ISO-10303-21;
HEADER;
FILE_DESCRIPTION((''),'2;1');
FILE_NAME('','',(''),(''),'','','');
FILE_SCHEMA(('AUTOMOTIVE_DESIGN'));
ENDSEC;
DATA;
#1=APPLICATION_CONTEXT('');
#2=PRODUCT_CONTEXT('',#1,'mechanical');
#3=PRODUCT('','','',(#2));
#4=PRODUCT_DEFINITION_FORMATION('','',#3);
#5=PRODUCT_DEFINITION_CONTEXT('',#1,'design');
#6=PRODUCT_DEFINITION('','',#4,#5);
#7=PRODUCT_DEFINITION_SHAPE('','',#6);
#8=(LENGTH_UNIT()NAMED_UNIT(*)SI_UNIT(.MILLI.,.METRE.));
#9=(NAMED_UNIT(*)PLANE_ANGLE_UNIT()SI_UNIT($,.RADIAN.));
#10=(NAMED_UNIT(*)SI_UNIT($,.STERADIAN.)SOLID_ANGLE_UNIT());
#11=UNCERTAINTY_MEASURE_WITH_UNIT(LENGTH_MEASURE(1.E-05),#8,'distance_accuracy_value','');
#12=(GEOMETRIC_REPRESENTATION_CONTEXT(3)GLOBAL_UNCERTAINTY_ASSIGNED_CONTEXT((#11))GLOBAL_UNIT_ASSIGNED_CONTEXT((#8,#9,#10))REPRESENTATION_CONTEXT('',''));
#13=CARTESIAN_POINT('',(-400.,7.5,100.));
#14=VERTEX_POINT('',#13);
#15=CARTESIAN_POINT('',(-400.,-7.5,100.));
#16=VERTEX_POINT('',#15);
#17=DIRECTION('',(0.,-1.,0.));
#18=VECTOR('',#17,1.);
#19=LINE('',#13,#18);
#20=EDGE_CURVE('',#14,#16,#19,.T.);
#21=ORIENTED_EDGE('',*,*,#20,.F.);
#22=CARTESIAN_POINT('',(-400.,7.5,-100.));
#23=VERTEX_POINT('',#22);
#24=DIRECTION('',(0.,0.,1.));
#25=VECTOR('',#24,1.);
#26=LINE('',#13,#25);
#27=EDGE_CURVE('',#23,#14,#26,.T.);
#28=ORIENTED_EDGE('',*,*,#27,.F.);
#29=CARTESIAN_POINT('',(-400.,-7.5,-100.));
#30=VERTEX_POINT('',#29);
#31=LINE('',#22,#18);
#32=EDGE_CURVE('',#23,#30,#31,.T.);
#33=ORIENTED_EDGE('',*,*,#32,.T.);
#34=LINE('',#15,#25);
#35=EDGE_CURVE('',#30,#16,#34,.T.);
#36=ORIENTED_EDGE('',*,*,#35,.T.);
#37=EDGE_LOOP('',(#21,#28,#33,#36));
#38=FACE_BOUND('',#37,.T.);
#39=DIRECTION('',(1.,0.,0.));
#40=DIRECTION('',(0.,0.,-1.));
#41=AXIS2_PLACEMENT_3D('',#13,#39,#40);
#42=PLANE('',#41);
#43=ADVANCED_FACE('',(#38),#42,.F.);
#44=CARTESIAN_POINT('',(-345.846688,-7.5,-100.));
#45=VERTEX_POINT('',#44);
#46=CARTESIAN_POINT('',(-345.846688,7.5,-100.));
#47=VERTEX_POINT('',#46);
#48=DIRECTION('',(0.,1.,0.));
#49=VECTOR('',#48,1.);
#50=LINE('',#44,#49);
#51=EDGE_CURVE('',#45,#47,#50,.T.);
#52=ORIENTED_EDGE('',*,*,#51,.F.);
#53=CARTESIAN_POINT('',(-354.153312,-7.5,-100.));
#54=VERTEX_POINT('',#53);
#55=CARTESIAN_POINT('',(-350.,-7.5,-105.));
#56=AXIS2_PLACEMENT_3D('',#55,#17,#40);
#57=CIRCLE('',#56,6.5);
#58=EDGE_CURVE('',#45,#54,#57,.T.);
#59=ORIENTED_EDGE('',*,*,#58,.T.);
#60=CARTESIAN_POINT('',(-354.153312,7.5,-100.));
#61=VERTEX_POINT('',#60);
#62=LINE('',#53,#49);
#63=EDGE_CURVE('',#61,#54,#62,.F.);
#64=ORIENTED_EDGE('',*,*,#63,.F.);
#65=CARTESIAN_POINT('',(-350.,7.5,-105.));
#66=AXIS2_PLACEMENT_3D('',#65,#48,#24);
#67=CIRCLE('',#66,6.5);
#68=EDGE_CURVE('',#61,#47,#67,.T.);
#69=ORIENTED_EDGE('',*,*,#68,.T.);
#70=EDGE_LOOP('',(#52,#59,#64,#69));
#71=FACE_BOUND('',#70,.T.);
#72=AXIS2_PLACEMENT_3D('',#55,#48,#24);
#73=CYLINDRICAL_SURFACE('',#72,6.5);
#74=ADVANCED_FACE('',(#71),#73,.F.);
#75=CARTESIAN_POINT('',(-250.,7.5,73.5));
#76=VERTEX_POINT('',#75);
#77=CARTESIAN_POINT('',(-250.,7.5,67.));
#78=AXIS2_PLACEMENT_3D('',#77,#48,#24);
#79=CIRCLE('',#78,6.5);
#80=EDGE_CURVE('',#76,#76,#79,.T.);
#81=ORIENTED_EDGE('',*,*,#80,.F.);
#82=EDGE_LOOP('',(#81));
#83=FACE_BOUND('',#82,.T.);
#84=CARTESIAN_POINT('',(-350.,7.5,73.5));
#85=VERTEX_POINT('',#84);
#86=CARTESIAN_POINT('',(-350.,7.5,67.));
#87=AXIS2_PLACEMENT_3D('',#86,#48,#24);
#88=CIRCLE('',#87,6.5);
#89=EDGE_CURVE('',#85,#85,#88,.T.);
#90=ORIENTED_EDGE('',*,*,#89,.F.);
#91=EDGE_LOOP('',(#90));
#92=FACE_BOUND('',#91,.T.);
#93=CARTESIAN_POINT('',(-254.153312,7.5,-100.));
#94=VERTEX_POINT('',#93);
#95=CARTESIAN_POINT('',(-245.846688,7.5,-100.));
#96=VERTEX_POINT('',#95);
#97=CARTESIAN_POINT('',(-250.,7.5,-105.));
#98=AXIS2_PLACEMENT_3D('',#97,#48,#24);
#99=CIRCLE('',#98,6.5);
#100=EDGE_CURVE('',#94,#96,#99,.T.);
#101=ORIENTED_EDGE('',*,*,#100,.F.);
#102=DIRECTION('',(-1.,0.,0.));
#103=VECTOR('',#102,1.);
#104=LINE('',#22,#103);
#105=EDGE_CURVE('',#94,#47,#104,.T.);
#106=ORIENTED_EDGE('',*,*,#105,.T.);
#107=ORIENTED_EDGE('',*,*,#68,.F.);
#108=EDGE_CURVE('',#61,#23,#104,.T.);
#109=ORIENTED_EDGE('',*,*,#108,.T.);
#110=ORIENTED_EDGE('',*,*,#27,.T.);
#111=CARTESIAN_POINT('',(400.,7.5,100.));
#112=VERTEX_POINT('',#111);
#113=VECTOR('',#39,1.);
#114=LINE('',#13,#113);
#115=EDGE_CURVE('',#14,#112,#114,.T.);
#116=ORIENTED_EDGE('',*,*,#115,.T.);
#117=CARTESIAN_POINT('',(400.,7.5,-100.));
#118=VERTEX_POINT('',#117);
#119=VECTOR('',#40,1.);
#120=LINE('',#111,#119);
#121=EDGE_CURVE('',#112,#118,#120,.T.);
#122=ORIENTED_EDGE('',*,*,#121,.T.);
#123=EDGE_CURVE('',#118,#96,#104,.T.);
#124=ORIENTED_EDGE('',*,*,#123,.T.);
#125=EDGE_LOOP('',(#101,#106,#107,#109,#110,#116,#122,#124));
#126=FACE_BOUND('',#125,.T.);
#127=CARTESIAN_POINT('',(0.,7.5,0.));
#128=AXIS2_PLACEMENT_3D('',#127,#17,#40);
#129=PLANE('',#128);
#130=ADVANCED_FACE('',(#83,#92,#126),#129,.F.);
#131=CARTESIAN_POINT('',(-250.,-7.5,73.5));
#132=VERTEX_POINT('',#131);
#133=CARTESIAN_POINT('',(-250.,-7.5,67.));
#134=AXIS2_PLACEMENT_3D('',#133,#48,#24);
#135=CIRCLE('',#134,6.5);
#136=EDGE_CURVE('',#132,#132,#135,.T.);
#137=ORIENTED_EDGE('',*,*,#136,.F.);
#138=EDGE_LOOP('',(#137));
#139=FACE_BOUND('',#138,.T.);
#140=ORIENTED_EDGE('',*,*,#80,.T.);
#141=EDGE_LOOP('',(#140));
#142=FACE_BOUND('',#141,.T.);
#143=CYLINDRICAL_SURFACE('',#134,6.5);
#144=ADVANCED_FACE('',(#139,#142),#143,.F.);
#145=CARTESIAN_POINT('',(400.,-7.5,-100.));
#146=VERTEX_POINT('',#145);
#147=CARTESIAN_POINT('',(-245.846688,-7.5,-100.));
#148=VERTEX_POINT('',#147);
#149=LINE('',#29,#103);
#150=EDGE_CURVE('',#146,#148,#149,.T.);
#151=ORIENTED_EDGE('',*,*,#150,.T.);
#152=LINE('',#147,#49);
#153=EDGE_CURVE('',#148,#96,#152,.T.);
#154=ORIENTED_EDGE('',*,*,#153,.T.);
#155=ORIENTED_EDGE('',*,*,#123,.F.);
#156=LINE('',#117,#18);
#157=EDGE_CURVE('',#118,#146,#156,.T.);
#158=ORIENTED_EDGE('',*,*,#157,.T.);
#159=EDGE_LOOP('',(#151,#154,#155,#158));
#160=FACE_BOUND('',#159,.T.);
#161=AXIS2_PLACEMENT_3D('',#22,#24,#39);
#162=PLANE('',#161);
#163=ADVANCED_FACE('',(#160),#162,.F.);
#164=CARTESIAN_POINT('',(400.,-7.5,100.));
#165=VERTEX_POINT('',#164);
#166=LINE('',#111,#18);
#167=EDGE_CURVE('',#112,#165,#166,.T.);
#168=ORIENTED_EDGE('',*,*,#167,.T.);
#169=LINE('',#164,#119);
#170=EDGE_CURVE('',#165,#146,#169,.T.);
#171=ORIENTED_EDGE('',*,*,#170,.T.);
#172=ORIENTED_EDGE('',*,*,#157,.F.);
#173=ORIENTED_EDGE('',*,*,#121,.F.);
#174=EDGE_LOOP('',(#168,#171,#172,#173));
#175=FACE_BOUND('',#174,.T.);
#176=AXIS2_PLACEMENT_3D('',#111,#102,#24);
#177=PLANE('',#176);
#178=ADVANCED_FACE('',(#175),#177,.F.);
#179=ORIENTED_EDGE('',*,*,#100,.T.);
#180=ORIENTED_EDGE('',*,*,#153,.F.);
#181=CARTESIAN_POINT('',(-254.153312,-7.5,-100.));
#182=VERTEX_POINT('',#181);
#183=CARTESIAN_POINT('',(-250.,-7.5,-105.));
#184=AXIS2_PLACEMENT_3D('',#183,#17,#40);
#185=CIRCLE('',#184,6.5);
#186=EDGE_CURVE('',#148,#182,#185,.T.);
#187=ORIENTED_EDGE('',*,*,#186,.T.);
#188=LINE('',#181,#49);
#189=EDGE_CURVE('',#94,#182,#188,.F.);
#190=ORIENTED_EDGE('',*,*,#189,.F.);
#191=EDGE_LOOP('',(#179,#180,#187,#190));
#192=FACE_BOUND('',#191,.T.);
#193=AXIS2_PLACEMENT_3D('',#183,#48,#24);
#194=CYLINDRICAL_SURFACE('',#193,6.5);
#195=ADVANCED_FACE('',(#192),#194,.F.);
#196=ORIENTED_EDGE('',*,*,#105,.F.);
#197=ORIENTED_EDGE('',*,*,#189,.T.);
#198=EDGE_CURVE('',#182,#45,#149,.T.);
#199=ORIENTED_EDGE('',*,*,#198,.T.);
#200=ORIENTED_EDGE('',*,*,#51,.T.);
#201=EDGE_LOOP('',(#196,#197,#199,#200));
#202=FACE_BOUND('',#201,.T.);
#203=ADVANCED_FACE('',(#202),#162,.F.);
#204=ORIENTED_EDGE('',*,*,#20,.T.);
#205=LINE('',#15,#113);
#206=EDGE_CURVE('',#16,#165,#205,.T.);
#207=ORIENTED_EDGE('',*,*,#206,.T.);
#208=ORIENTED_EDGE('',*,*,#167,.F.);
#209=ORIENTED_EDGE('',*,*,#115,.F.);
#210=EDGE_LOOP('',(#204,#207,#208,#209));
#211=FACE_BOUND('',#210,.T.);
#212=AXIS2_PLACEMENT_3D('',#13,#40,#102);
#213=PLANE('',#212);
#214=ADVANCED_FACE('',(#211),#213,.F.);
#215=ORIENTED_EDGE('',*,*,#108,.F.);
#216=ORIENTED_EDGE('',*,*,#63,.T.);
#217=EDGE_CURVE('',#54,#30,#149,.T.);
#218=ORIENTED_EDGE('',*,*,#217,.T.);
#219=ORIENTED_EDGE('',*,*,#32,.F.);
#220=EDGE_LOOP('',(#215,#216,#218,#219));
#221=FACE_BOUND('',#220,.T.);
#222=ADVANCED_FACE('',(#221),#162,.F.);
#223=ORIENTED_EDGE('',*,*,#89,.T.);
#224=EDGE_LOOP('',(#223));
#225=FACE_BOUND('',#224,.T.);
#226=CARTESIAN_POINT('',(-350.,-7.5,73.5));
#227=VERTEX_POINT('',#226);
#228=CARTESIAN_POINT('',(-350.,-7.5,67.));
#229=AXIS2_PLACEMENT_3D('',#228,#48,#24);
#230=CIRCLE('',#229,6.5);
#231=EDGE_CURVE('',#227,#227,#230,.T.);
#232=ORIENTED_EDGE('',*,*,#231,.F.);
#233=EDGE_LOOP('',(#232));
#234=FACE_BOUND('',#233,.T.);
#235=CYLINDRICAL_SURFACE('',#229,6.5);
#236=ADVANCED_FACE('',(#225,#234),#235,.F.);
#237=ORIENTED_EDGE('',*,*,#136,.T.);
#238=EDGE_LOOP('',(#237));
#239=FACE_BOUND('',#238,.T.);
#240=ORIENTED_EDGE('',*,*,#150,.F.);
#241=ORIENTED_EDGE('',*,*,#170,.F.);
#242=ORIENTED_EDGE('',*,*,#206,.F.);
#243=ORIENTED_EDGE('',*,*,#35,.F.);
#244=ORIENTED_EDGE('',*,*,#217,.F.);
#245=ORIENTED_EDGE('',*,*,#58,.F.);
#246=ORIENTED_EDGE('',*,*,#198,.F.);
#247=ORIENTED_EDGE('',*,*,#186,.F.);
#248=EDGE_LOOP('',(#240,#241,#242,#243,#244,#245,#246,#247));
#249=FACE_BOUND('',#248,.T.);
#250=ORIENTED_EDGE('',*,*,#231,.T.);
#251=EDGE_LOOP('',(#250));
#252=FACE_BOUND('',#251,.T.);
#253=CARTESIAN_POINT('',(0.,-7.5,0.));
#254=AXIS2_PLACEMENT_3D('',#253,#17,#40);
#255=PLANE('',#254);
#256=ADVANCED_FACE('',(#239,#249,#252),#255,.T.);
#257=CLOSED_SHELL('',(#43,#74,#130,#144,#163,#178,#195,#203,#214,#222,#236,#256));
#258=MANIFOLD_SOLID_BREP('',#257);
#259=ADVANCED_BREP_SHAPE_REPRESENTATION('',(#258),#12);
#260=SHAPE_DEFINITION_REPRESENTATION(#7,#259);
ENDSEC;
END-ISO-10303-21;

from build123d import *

# Parameters (mm, degrees)
SKETCH1_W           = 800
SKETCH1_H           = 200
BOSS_EXTRUDE1_DEPTH = 7.5
SKETCH2_R           = 6.5
CUT_EXTRUDE1_DEPTH  = 413.583324918


with BuildPart() as part:
    # Sketch1 → Boss-Extrude1 (new, symmetric)
    with BuildSketch(Plane(origin=(0, 0, 0), x_dir=(1, 0, 0), z_dir=(0, 1, 0))):
        Rectangle(SKETCH1_W, SKETCH1_H)
    extrude(amount=BOSS_EXTRUDE1_DEPTH, both=True)

    # Sketch2 → Cut-Extrude1 (cut, through all)
    with BuildSketch(Plane(origin=(0, 7.5, 0), x_dir=(1, 0, 0), z_dir=(0, 1, 0))):
        with Locations(Location((-350, -67, 0), (0, 0, 270))):
            Circle(SKETCH2_R)
        with Locations(Location((-250, -67, 0), (0, 0, 270))):
            Circle(SKETCH2_R)
        with Locations((-350, 105)):
            Circle(SKETCH2_R)
        with Locations((-250, 105)):
            Circle(SKETCH2_R)
    extrude(amount=-CUT_EXTRUDE1_DEPTH, mode=Mode.SUBTRACT)


solid = part.part
